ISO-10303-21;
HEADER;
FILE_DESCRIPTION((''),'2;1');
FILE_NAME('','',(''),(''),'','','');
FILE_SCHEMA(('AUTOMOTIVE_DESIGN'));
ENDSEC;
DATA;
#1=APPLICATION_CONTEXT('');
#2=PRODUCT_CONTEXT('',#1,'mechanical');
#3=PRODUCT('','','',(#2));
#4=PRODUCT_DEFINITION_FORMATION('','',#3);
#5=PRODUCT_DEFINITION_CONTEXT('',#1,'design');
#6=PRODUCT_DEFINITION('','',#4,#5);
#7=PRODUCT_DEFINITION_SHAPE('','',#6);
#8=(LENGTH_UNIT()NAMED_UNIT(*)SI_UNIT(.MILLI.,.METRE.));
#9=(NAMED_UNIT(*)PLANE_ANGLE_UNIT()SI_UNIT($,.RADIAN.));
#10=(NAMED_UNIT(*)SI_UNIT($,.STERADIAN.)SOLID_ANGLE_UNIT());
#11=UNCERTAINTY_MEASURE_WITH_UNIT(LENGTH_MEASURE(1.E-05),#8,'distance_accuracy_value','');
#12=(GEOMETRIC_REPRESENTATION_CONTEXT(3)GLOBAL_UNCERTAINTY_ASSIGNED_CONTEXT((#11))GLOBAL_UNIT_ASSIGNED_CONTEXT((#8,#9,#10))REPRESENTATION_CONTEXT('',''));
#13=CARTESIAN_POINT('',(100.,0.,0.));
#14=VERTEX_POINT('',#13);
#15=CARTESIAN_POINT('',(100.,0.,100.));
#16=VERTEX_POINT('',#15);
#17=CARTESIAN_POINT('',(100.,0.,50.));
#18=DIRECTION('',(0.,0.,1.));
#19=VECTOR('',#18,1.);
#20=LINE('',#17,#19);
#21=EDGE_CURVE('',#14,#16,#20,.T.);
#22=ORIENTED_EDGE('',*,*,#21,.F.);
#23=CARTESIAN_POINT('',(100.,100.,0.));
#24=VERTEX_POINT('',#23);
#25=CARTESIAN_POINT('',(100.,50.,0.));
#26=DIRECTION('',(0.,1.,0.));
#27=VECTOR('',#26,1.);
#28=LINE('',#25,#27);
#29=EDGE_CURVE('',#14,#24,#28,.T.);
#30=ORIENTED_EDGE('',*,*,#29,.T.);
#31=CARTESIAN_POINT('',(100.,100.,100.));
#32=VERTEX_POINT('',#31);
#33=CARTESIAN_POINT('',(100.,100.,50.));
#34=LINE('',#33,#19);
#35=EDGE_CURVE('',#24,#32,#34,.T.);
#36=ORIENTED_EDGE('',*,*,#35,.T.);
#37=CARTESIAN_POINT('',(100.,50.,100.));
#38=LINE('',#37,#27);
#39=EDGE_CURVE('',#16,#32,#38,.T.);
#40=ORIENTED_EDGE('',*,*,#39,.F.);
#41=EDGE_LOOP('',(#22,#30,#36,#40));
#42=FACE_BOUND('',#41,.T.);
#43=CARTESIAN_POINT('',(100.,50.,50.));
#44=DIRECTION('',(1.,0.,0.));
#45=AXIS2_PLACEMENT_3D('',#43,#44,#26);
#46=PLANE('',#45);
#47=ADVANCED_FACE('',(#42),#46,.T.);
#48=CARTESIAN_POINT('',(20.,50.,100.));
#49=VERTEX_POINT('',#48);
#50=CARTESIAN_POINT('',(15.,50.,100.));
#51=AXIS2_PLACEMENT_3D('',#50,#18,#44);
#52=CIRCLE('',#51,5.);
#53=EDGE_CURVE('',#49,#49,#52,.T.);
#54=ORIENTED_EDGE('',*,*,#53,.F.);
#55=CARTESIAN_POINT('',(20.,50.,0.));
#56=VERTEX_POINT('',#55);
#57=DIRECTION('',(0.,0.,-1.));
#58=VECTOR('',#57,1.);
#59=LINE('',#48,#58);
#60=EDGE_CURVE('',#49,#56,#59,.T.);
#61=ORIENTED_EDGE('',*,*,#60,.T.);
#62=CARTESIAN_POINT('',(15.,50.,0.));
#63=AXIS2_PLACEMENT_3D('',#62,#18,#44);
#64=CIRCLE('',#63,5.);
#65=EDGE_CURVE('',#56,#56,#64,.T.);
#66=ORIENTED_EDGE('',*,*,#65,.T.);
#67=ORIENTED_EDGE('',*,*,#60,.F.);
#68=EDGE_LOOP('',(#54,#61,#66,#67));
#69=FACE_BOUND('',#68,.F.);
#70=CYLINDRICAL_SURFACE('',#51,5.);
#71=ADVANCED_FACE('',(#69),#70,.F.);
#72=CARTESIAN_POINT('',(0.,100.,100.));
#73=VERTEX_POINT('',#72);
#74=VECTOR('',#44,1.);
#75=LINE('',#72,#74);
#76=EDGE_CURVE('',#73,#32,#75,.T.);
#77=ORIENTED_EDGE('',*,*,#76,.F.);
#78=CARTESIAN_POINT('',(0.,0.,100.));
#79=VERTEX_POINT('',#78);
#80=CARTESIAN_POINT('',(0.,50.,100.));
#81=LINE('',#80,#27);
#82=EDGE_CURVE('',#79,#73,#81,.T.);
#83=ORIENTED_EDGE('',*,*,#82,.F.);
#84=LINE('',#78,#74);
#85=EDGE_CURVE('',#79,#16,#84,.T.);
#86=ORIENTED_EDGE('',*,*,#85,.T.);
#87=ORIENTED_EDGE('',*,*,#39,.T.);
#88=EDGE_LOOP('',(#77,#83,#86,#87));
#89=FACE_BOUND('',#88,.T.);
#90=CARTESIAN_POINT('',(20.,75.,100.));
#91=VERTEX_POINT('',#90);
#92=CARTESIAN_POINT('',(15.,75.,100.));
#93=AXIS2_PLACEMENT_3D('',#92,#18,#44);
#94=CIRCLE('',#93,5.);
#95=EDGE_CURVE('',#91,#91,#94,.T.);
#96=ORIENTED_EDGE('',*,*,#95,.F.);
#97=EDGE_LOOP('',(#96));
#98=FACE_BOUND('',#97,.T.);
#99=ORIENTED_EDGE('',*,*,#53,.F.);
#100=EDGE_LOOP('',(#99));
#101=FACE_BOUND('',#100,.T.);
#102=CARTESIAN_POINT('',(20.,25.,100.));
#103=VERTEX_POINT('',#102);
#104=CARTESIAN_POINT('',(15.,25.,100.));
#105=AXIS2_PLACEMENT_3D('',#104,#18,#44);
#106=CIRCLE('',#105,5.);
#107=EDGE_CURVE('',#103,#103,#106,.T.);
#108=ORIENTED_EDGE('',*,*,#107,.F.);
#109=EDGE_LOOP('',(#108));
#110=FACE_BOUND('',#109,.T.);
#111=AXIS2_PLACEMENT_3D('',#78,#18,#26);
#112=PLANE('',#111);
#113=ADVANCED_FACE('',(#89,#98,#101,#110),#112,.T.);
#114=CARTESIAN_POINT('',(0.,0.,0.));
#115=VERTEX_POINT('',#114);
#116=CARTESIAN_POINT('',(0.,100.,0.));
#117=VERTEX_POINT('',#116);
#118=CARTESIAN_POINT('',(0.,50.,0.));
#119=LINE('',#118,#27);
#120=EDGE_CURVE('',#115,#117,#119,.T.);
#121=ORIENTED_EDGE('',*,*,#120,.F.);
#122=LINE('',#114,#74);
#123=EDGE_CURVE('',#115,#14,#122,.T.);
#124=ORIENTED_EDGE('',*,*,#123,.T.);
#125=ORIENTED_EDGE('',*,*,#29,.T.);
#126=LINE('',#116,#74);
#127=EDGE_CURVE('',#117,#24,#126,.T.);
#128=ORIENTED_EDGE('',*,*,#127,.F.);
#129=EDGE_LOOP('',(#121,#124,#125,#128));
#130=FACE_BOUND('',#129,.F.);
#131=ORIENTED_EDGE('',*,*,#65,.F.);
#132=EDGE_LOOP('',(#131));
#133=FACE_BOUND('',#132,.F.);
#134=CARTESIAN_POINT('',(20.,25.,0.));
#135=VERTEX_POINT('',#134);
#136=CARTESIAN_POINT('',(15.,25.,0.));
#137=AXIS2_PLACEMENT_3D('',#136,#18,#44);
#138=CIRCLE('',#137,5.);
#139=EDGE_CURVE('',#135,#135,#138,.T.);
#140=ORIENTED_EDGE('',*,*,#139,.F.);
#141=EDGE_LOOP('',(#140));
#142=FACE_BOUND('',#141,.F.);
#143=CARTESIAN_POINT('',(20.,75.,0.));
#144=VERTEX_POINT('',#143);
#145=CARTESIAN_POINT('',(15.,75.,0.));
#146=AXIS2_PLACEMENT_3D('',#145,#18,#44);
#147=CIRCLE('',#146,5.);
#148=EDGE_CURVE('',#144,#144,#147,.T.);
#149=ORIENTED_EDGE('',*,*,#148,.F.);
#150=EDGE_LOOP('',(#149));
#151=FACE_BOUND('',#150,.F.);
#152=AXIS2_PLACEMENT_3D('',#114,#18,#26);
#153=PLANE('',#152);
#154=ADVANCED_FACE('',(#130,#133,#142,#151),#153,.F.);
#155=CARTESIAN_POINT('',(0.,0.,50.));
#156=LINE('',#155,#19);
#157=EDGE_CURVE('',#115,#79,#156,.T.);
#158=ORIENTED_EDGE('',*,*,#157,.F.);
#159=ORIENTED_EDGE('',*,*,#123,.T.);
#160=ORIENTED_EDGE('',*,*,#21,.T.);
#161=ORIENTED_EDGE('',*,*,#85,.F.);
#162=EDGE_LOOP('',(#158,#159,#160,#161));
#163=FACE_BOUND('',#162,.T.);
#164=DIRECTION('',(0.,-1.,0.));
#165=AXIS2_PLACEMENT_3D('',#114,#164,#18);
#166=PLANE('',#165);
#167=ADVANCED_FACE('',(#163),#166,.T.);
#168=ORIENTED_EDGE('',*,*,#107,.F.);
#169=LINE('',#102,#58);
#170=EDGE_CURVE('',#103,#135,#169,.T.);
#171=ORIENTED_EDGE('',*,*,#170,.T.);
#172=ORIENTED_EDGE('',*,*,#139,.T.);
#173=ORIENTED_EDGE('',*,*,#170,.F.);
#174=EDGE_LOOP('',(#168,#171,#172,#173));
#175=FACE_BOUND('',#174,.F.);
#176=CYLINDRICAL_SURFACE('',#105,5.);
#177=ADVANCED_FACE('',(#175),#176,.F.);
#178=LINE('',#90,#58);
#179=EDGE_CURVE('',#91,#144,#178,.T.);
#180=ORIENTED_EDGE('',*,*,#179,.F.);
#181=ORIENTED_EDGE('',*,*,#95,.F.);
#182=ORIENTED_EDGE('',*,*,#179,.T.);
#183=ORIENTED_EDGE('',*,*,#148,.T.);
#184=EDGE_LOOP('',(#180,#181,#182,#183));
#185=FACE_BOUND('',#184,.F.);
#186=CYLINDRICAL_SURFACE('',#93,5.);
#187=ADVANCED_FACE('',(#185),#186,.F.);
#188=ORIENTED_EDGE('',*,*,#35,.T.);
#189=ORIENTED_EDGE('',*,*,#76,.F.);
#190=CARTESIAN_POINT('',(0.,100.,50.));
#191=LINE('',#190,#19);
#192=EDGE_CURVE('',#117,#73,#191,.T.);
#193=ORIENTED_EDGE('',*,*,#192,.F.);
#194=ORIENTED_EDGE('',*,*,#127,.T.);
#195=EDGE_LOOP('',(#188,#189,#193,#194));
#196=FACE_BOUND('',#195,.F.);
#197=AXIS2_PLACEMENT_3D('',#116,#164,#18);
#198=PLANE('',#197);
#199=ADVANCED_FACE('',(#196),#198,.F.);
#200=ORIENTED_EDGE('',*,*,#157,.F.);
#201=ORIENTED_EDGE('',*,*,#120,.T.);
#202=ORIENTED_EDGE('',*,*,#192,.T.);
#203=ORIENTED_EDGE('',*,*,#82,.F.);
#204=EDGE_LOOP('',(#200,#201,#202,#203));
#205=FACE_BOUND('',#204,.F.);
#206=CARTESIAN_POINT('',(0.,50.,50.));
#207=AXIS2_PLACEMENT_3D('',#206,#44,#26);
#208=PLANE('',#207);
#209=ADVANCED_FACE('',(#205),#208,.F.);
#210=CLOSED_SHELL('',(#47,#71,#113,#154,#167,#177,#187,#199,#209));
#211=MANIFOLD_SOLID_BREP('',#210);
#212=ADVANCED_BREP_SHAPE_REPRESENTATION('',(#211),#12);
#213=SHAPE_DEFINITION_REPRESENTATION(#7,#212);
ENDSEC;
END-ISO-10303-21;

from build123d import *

# Parameters (mm, degrees)
F0_W     = 100
F0_H     = 100
F1_DEPTH = 100
F2_R     = 5
F3_DEPTH = 100


with BuildPart() as f1:
    # F0 (on Right) → F1 (new body)
    with BuildSketch(Plane.YZ):
        with Locations((50, 50)):
            Rectangle(F0_W, F0_H)
    extrude(amount=F1_DEPTH)

    # F2 (on face) → F3 (cut)
    with BuildSketch(Plane.XY.offset(100)):
        with Locations((15, 25)):
            Circle(F2_R)
        with Locations((142.386928, 39.02828)):
            Circle(F2_R)
        with Locations((15, 50)):
            Circle(F2_R)
        with Locations((15, 75)):
            Circle(F2_R)
    extrude(amount=-F3_DEPTH, mode=Mode.SUBTRACT)


solid = f1.part
